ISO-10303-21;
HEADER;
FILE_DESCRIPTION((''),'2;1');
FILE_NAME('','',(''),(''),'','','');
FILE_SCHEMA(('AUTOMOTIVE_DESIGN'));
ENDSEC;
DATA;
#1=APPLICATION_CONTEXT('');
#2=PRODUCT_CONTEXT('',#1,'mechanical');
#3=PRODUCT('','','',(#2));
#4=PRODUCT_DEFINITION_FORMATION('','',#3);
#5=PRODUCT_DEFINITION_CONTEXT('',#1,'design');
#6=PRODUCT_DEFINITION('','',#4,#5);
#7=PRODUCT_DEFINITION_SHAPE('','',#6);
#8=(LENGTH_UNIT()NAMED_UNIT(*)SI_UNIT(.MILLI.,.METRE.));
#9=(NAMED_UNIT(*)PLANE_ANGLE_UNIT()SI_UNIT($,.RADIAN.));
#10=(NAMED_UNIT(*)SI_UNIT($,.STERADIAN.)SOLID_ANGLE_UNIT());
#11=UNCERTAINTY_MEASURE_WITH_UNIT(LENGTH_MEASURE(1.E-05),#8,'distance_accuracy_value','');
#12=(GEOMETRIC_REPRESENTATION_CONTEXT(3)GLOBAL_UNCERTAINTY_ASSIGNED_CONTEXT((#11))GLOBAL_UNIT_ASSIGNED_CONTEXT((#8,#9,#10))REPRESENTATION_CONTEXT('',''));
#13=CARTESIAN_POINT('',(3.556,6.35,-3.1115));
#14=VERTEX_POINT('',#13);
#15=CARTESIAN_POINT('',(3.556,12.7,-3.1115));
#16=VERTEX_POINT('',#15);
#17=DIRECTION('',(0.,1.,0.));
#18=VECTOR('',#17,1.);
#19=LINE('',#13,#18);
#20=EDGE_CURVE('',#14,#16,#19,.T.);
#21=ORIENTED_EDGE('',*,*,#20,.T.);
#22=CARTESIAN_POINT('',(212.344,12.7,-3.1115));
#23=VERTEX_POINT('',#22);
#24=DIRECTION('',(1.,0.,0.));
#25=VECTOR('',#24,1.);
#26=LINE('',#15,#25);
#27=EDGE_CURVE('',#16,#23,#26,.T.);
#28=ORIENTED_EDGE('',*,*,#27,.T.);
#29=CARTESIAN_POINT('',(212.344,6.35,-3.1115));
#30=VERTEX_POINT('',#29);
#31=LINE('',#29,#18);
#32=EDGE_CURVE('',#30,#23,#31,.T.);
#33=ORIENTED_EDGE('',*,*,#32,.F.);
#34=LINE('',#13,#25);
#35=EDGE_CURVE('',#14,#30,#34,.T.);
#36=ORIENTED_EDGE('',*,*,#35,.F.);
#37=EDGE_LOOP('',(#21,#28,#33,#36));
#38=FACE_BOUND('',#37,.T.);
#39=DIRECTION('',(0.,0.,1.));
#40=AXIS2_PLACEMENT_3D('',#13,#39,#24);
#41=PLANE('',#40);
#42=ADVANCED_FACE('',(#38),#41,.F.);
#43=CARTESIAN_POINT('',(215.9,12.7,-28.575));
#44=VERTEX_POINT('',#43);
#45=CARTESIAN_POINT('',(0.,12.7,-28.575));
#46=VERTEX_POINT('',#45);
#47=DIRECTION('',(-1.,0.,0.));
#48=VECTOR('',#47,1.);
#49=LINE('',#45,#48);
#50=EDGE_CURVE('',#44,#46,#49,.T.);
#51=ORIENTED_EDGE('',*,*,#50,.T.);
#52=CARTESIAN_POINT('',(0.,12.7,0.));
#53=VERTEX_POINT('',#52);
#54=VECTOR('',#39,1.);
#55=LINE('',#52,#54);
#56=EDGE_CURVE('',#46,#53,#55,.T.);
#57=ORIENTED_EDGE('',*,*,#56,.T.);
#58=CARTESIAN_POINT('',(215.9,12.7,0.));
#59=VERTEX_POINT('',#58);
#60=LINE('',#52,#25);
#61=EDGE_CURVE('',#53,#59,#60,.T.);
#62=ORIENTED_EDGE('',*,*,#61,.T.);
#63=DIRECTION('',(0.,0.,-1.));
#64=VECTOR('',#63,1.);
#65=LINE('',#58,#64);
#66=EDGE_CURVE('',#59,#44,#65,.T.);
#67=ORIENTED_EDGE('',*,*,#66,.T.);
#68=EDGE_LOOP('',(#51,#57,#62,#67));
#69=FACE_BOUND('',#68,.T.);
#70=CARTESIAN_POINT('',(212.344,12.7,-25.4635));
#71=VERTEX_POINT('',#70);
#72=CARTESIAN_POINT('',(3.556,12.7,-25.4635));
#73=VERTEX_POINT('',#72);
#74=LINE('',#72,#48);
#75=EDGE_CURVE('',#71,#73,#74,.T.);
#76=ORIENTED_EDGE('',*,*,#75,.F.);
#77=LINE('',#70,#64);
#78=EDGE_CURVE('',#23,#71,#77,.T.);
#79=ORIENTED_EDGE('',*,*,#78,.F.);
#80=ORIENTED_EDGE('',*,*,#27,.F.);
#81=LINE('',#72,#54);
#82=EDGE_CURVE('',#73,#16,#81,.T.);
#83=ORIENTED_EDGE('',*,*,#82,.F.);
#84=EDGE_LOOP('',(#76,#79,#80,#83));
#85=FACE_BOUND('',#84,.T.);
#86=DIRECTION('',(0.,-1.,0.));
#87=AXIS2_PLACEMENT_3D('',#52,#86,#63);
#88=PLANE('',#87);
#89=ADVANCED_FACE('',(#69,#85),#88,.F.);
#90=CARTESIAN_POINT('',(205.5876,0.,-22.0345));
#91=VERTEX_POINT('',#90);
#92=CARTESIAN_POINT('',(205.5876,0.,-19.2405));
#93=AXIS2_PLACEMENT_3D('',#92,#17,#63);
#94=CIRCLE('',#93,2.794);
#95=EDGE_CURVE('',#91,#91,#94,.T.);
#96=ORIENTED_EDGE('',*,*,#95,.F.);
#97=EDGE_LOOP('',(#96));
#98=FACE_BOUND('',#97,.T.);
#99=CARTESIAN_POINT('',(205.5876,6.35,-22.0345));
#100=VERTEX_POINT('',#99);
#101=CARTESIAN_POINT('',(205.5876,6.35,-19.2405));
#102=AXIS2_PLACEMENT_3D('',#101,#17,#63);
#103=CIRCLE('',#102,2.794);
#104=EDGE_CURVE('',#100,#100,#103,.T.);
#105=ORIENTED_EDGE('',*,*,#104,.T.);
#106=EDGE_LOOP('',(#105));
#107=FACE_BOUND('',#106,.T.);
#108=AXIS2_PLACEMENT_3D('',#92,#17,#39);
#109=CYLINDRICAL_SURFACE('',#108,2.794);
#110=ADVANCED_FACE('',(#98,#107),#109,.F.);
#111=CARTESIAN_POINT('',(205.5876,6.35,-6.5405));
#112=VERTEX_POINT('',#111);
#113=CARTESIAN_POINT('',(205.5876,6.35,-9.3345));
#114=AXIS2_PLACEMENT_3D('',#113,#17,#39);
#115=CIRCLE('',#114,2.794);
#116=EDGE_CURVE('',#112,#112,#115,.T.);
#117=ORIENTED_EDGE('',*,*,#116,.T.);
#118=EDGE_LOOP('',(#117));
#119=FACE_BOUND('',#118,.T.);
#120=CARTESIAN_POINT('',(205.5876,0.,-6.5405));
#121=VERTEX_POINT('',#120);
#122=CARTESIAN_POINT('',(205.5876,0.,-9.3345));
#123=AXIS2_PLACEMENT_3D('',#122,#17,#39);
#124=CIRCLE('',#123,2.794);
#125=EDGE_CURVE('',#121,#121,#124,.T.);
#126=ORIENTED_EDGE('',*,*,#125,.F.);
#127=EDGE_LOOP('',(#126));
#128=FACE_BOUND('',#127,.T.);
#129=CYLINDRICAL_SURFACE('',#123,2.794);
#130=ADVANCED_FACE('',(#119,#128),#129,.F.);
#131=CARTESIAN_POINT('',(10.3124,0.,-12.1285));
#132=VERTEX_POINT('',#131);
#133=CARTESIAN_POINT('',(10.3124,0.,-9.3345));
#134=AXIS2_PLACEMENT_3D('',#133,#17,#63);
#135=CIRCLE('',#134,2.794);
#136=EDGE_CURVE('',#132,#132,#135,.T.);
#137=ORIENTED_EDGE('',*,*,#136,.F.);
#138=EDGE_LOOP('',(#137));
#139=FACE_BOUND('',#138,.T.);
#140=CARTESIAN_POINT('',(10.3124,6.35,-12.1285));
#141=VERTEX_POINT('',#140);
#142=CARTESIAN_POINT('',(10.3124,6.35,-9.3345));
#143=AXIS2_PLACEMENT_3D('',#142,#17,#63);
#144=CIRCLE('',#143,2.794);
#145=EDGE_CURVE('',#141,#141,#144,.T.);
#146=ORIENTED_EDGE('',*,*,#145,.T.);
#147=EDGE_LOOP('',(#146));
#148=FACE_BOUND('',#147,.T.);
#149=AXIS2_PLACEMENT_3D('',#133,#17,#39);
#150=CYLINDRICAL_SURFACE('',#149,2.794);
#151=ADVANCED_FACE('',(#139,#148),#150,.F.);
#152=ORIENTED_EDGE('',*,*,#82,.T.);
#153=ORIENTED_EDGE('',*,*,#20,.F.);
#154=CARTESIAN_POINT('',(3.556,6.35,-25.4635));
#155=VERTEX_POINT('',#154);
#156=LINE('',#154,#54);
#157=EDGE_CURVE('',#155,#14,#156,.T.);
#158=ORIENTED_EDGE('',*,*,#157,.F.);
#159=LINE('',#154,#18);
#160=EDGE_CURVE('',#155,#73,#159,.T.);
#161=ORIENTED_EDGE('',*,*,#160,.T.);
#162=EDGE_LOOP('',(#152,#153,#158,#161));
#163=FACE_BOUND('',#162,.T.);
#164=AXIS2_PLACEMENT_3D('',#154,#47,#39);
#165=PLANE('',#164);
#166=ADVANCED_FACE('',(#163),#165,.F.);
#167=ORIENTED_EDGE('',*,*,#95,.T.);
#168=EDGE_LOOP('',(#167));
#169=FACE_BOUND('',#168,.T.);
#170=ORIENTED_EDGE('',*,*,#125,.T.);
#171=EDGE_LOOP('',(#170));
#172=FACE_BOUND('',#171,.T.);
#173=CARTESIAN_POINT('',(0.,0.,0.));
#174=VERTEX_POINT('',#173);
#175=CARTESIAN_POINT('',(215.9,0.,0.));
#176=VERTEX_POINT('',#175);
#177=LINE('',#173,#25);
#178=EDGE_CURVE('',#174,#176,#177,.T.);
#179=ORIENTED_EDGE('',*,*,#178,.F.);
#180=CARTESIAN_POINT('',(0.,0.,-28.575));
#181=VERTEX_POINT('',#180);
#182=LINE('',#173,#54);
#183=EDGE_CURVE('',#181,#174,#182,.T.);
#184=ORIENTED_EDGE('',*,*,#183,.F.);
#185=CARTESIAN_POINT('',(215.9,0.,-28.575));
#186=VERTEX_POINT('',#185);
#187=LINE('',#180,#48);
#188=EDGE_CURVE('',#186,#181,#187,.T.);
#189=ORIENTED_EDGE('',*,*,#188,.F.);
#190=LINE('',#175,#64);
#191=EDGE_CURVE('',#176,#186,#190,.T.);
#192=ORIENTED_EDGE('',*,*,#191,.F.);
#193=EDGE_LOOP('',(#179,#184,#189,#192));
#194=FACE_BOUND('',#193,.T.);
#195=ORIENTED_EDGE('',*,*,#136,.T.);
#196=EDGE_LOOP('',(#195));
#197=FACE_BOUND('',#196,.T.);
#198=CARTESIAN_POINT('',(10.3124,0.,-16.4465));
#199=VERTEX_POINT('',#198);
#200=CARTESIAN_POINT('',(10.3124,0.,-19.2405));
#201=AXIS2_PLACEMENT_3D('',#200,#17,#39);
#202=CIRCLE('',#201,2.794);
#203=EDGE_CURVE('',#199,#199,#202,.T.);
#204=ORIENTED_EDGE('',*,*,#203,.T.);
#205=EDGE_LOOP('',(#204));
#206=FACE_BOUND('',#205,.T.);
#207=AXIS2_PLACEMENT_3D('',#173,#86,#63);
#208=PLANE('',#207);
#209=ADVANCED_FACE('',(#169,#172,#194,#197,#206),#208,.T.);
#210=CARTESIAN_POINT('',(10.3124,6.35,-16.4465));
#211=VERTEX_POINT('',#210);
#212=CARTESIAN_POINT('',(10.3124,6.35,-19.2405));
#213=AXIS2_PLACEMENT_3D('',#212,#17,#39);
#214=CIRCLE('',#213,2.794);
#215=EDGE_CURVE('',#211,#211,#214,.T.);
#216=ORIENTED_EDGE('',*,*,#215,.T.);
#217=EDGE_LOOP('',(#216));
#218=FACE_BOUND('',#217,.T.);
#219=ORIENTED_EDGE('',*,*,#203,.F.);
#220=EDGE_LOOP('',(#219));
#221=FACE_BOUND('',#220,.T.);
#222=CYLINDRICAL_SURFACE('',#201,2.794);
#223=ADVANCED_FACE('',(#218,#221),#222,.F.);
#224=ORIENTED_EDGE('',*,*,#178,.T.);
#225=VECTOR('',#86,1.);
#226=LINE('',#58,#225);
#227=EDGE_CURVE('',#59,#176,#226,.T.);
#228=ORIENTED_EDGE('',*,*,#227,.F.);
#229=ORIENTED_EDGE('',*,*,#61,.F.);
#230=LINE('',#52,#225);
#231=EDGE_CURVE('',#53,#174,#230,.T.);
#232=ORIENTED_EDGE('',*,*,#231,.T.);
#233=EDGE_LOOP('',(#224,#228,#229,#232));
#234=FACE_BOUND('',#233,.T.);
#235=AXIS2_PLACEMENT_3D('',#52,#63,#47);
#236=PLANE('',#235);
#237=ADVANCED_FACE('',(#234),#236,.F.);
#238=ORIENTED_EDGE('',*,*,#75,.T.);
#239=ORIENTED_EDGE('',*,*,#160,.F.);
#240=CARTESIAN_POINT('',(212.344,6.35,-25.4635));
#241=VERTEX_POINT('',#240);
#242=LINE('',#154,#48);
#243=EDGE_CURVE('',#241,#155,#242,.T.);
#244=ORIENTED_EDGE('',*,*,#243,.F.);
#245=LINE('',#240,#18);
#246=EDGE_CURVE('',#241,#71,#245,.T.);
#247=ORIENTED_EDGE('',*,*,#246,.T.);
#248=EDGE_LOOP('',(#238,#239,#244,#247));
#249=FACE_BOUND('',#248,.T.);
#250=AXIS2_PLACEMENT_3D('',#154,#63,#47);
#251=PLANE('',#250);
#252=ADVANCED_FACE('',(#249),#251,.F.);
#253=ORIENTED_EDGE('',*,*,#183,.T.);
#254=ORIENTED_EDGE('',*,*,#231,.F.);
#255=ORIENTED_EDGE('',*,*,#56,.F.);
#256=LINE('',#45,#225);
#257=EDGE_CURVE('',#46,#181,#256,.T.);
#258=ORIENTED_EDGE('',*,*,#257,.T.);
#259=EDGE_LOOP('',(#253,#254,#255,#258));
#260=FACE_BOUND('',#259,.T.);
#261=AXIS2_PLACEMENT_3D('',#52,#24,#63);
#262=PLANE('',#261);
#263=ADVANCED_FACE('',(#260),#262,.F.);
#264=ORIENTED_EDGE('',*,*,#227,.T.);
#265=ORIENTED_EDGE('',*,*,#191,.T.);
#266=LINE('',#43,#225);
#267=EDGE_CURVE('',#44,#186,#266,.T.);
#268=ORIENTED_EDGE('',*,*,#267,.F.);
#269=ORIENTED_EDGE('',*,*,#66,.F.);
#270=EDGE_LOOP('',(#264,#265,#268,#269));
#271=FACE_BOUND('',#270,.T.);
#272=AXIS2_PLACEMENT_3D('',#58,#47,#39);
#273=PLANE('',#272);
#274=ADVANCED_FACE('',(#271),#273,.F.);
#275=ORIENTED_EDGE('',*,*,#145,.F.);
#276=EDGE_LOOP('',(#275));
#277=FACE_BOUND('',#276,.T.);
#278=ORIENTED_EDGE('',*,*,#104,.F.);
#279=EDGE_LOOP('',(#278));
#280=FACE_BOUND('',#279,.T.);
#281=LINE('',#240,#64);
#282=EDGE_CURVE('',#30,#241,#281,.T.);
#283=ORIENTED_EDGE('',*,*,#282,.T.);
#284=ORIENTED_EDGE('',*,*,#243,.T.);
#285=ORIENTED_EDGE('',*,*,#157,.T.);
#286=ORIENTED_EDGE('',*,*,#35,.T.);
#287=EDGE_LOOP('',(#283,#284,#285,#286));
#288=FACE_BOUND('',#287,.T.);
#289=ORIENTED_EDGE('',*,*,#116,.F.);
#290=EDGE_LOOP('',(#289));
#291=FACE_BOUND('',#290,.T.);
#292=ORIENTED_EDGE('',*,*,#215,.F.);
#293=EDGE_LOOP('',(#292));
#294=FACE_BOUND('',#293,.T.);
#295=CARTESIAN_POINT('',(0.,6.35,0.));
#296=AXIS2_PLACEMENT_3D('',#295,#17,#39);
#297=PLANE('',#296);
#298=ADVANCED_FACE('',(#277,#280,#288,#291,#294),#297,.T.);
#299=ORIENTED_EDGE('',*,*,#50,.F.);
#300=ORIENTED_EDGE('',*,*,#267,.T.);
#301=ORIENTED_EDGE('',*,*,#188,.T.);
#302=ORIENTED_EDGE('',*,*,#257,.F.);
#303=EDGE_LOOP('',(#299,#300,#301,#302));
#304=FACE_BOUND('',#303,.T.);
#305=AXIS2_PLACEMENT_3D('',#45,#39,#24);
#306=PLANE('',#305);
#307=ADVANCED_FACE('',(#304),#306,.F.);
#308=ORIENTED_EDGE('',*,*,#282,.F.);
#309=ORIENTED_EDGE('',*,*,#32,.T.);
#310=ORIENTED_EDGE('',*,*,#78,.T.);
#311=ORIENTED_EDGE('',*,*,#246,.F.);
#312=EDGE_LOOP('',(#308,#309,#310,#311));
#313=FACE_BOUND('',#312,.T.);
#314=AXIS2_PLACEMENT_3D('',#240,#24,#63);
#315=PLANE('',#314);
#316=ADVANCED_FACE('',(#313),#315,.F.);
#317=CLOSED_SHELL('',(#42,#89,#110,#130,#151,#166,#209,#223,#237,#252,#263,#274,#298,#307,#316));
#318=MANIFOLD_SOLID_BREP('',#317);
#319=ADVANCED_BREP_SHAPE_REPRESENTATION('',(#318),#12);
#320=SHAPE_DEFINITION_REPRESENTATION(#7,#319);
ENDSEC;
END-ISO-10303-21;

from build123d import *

# Parameters (mm, degrees)
SKETCH1_W           = 215.9
SKETCH1_H           = 28.575
BOSS_EXTRUDE1_DEPTH = 12.7
SKETCH2_W           = 208.788
SKETCH2_H           = 22.352
CUT_EXTRUDE1_DEPTH  = 6.35
SKETCH4_R           = 2.794
CUT_EXTRUDE2_DEPTH  = 218.875338497


with BuildPart() as part:
    # Sketch1 → Boss-Extrude1 (new body)
    with BuildSketch(Plane(origin=(0, 0, 0), x_dir=(1, 0, 0), z_dir=(0, 1, 0))):
        with Locations((107.95, 14.2875)):
            Rectangle(SKETCH1_W, SKETCH1_H)
    extrude(amount=BOSS_EXTRUDE1_DEPTH)

    # Sketch2 → Cut-Extrude1 (cut)
    with BuildSketch(Plane(origin=(0, 12.7, 0), x_dir=(1, 0, 0), z_dir=(0, 1, 0))):
        with Locations((107.95, 14.2875)):
            Rectangle(SKETCH2_W, SKETCH2_H)
    extrude(amount=-CUT_EXTRUDE1_DEPTH, mode=Mode.SUBTRACT)

    # Sketch4 → Cut-Extrude2 (cut, through all)
    with BuildSketch(Plane(origin=(0, 6.35, 0), x_dir=(1, 0, 0), z_dir=(0, 1, 0))):
        with Locations(Location((10.3124, 19.2405, 0), (0, 0, 270))):
            Circle(SKETCH4_R)
        with Locations(Location((10.3124, 9.3345, 0), (0, 0, 90))):
            Circle(SKETCH4_R)
        with Locations(Location((205.5876, 9.3345, 0), (0, 0, 270))):
            Circle(SKETCH4_R)
        with Locations(Location((205.5876, 19.2405, 0), (0, 0, 90))):
            Circle(SKETCH4_R)
    extrude(amount=-CUT_EXTRUDE2_DEPTH, mode=Mode.SUBTRACT)


solid = part.part
